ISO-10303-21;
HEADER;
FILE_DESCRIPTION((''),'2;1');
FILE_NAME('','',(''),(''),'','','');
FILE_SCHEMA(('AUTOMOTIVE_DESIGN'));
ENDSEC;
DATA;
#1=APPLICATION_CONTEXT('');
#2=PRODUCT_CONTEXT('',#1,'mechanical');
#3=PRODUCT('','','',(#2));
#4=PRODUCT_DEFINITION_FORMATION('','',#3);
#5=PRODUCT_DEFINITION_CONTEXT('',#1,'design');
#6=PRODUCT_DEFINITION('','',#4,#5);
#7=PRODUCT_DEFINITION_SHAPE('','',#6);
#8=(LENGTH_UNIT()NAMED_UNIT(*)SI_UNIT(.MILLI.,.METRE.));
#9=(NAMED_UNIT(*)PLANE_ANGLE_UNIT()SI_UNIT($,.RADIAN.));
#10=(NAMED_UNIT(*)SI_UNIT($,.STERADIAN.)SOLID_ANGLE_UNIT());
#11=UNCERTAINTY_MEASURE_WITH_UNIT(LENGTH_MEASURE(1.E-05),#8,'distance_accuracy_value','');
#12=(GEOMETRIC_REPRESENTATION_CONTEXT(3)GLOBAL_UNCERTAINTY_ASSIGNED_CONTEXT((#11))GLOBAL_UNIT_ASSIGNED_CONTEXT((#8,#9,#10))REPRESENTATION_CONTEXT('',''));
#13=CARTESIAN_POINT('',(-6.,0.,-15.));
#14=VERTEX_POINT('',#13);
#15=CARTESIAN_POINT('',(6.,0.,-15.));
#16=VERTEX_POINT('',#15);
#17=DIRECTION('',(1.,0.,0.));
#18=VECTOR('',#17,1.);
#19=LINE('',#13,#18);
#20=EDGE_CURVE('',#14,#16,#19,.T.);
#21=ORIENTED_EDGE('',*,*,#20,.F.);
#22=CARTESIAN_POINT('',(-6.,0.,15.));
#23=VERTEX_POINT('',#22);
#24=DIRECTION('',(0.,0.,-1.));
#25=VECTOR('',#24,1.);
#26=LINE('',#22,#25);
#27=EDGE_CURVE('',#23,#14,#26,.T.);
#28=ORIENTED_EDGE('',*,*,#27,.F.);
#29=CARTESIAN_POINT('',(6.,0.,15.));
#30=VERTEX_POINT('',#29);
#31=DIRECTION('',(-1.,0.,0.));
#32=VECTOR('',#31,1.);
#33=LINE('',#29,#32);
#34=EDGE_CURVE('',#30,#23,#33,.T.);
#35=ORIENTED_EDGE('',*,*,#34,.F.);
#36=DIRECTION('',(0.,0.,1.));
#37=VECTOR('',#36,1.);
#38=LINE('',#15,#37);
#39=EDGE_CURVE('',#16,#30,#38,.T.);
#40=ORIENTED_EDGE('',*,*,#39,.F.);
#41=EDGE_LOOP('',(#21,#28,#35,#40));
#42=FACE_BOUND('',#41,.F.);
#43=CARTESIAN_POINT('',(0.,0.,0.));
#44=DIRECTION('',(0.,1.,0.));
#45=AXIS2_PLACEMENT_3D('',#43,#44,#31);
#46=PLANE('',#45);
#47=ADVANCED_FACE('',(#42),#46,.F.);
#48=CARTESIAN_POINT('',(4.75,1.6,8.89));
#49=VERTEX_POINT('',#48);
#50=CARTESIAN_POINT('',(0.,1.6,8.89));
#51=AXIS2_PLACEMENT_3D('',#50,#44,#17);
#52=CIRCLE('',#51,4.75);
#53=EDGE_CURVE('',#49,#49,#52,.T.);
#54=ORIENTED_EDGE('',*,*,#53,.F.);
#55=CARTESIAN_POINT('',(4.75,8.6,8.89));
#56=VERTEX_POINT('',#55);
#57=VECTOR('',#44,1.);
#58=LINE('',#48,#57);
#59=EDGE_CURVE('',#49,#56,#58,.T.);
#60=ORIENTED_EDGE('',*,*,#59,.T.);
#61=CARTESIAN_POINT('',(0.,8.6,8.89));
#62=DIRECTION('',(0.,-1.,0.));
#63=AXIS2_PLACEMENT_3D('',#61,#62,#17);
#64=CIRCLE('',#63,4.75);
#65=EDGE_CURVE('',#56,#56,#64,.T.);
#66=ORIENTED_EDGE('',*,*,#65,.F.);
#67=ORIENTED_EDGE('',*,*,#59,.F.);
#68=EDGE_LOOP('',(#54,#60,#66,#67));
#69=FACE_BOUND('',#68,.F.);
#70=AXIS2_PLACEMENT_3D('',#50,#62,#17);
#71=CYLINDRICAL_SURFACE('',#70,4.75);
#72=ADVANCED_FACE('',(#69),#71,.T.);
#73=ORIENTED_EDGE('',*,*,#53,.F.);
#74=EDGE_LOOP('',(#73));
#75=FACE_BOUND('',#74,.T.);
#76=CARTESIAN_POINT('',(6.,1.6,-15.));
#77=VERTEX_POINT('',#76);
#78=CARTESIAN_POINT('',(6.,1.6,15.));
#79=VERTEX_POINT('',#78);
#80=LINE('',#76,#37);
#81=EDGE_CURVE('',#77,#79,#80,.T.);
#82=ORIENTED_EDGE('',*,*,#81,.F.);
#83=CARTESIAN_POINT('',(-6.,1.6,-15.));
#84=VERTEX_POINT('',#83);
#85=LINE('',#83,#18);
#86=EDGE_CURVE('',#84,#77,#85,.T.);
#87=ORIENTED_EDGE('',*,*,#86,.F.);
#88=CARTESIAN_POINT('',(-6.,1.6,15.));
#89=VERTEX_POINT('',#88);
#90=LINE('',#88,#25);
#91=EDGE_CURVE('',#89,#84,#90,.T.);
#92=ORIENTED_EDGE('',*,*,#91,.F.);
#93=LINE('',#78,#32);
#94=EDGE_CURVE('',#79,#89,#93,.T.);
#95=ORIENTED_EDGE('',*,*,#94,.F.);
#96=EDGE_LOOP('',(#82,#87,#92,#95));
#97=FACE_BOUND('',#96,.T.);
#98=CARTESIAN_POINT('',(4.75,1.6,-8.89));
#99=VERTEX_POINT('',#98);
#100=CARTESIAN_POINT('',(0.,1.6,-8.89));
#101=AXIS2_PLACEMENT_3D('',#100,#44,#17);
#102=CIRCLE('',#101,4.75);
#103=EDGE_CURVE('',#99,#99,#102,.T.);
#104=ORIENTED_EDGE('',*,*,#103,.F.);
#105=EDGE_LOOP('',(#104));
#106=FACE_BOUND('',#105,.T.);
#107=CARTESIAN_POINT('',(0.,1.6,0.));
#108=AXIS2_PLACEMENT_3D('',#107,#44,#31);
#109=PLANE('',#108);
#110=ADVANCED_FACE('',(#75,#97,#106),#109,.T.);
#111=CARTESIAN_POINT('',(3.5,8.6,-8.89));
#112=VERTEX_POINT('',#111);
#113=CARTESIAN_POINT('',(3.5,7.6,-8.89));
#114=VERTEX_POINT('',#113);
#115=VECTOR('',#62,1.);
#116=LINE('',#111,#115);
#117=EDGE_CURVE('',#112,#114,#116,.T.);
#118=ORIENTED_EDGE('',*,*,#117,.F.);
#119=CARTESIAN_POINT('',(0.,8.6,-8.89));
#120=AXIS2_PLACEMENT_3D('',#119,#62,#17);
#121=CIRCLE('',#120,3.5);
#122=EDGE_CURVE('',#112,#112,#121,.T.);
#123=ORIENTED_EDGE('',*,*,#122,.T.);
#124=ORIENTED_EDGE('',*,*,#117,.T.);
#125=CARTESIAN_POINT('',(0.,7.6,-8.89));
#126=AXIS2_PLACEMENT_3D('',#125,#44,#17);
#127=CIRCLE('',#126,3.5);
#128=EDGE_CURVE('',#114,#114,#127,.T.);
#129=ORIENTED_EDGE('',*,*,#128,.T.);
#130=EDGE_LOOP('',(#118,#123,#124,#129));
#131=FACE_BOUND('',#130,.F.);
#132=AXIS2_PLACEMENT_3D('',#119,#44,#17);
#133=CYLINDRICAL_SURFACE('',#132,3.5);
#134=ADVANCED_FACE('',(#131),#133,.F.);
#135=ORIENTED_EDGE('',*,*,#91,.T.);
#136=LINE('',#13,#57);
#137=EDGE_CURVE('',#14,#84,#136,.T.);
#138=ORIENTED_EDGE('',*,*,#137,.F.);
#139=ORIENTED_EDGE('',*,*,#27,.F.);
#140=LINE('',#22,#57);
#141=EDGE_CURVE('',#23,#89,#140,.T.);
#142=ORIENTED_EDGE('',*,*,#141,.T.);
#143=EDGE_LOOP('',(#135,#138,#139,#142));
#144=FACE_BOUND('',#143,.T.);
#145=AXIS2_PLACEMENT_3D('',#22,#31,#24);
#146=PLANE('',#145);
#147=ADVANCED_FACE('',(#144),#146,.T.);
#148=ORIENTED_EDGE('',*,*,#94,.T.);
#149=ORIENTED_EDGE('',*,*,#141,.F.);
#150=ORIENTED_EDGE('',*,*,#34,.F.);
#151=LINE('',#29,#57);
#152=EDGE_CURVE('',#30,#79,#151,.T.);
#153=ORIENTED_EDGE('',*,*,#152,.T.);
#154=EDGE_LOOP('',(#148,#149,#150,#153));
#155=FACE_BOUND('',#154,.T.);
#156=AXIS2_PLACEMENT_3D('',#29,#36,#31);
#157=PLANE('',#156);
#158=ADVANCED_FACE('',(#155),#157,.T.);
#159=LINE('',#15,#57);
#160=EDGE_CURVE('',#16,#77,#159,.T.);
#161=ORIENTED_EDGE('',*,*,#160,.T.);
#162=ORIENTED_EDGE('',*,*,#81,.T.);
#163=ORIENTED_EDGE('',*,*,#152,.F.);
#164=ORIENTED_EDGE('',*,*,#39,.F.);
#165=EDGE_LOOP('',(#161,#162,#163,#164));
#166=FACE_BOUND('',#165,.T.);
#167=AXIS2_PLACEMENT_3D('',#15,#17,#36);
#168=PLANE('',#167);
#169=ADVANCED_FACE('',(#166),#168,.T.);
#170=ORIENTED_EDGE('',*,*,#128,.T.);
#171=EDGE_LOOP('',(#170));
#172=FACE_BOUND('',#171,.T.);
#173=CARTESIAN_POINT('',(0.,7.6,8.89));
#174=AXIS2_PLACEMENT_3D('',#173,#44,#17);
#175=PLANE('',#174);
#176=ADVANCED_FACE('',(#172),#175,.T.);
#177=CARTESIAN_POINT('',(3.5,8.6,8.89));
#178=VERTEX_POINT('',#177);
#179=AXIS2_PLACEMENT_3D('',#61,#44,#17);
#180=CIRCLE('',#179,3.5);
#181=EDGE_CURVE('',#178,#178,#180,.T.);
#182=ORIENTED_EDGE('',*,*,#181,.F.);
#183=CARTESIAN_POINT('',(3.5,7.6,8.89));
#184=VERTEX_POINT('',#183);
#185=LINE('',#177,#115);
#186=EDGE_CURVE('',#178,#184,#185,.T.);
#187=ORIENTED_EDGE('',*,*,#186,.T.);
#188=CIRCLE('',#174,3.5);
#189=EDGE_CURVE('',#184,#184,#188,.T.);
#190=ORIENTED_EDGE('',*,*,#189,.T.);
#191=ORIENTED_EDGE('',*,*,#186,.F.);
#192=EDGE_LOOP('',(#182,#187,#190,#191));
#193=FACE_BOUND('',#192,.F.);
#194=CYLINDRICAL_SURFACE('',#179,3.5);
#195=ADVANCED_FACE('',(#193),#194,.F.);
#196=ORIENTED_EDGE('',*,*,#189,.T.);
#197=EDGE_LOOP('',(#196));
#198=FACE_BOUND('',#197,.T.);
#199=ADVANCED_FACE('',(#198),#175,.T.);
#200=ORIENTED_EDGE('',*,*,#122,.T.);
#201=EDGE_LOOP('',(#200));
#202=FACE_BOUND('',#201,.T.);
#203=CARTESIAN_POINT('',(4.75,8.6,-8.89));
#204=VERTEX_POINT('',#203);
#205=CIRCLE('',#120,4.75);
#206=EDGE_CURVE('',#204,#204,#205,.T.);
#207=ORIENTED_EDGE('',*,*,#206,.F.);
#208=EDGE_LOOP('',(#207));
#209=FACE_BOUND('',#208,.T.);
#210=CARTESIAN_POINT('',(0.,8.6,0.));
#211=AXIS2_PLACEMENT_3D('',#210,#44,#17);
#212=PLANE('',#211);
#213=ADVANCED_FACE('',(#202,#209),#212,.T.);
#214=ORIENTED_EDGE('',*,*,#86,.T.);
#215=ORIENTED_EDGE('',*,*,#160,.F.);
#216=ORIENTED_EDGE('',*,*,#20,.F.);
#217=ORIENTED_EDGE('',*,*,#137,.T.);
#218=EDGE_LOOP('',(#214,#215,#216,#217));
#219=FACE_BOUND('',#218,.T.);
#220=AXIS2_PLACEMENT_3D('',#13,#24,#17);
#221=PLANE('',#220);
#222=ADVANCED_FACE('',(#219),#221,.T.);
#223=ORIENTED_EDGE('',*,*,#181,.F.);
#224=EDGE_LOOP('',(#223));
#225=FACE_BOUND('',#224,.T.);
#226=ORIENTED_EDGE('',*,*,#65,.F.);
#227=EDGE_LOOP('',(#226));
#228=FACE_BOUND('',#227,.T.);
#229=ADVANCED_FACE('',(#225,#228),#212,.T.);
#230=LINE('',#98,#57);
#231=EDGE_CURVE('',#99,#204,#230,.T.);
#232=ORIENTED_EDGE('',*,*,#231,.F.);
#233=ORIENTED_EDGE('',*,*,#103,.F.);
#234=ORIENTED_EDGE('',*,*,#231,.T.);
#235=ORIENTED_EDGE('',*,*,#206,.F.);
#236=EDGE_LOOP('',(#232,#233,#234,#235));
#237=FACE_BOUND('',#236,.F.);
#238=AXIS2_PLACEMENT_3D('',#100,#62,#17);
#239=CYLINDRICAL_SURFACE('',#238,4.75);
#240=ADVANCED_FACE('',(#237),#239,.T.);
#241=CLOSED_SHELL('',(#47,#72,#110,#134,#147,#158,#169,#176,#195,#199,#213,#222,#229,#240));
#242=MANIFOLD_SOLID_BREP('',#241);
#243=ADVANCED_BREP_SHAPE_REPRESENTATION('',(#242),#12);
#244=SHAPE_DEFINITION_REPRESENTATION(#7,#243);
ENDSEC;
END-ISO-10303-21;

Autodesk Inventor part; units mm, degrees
ref_plane "YZ Plane" through (0, 0, 0) normal (1, 0, 0) x (0, 1, 0)
ref_plane "XZ Plane" through (0, 0, 0) normal (0, 1, 0) x (-1, 0, 0)
ref_plane "XY Plane" through (0, 0, 0) normal (0, 0, 1) x (1, 0, 0)
sketch "Sketch1" plane through (0, 0, 0) normal (0, 1, 0) x (-1, 0, 0)
  line L0 (-6, -15) -> (-6, 15)
  line L1 (-6, 15) -> (6, 15)
  line L2 (6, 15) -> (6, -15)
  line L3 (6, -15) -> (-6, -15)
  line L4 (-6, -15) -> (6, 15) construction
  line L5 (-6, 15) -> (6, -15) construction
  line L6 (-6, -15) -> (24, -15) construction
  point P0 (0, 0)
  dimension "d0" = 30
  dimension "d1" = 90
  dimension "d2" = 12
extrude "Extrusion1" add sketch "Sketch1" along normal blind 1.6
sketch "Sketch2" plane through (0, 1.6, 0) normal (0, 1, 0) x (1, 0, 0)
  line L0 (0, 0) -> (0, -8.89)
  line L1 (0, 0) -> (8.89, 0) construction
  line L2 (0, -8.89) -> (0, 8.89)
  circle A0 centre (0, -8.89) radius 4.75
  circle A1 centre (0, 8.89) radius 4.75
  dimension "d5" = 8.89
  dimension "d6" = 90
  dimension "d7" = 17.78
  dimension "d8" = 0
  dimension "d9" = 9.5
  dimension "d10" = 9.5
extrude "Extrusion2" add sketch "Sketch2" along normal blind 7
sketch "Sketch3" plane through (0, 8.6, 8.89) normal (0, 1, 0) x (1, 0, 0)
  circle A0 centre (0, 0) radius 3.5
  line L0 (0, 8.89) -> (0, 17.78)
  circle A1 centre (0, 17.78) radius 3.5
  dimension "d13" = 7
  dimension "d14" = 8.89
  dimension "d15" = 7
extrude "Extrusion3" cut sketch "Sketch3" against normal blind 1
properties part number "Sonar"
